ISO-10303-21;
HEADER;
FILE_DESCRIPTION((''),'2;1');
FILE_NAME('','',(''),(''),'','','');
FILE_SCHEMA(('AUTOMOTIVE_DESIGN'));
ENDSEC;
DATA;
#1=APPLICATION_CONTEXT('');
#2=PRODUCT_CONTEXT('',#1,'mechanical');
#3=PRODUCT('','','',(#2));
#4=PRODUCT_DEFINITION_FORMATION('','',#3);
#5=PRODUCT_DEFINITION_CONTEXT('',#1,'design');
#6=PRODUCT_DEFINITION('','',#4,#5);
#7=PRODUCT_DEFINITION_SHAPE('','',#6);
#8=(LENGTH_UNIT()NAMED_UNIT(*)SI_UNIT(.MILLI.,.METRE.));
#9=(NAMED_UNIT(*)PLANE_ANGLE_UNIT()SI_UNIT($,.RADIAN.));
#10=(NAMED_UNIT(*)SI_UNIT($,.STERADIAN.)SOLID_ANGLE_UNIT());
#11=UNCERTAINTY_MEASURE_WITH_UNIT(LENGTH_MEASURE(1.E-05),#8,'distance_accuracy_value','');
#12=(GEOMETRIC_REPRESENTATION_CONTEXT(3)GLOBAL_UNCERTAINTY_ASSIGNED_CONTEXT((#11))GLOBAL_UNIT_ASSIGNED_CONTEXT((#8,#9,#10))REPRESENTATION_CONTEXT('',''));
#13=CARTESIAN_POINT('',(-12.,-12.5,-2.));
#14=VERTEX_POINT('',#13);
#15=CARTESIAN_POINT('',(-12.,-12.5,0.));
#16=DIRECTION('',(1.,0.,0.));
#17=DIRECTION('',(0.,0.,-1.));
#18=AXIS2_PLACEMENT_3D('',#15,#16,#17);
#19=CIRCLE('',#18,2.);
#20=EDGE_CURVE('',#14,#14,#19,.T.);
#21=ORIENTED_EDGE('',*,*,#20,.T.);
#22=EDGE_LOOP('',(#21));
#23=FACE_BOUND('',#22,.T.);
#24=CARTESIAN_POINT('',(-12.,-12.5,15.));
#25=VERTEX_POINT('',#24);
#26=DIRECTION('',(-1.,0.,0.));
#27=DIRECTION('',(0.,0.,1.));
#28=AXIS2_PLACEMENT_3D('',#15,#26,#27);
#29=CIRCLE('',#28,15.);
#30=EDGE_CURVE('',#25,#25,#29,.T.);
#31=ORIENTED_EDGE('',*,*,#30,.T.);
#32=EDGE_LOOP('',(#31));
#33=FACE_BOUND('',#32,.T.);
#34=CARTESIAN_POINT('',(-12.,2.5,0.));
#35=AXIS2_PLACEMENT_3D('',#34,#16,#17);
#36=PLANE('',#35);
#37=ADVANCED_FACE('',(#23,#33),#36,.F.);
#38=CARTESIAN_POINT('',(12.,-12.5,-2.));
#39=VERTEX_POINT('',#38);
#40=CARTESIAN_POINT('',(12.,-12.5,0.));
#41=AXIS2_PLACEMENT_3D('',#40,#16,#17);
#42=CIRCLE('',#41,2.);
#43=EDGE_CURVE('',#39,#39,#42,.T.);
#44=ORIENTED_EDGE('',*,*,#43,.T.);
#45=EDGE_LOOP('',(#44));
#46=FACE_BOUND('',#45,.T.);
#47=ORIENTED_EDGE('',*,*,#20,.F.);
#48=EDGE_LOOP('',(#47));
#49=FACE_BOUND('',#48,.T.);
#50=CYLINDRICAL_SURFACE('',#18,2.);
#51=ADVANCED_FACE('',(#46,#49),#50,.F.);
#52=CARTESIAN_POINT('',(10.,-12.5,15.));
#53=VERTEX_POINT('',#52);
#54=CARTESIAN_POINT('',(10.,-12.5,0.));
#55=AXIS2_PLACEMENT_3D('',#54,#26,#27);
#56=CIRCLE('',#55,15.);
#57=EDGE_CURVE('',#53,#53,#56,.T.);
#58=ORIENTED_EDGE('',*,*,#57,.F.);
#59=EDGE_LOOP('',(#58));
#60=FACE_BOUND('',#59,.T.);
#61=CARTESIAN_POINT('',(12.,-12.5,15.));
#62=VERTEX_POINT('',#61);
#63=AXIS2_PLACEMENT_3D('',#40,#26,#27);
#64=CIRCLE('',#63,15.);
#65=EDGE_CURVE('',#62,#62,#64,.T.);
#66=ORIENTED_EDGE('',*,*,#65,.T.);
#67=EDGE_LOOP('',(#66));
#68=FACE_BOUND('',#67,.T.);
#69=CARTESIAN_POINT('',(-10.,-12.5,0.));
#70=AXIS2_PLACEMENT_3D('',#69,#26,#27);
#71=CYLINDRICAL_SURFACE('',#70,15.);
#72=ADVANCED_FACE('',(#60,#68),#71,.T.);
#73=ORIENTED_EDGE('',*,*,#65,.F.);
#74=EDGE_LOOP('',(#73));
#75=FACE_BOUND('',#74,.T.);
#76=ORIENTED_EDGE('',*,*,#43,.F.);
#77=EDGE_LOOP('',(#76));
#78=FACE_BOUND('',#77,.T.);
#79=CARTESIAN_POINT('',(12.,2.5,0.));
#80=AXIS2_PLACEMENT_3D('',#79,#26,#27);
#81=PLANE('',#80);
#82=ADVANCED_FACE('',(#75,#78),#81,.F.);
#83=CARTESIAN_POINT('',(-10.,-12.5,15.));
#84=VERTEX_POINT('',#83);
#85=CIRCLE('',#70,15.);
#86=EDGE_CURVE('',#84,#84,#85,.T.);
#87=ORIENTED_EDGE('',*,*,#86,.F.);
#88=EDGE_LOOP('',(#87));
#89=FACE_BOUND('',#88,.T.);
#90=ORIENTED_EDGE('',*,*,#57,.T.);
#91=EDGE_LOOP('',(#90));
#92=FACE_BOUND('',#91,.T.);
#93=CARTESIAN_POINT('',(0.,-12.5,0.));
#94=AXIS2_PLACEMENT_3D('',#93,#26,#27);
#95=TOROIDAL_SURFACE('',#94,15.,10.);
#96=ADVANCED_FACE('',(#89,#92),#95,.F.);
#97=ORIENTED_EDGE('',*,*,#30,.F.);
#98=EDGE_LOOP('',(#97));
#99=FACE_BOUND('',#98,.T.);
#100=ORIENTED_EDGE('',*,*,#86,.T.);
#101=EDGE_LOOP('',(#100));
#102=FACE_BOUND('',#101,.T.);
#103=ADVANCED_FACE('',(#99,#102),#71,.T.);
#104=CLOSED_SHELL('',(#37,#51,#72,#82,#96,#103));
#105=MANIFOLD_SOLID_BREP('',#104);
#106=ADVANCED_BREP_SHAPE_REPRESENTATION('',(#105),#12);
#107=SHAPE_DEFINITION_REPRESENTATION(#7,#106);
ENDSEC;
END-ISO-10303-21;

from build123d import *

# Parameters (mm, degrees)
SKETCH2_R          = 2
CUT_EXTRUDE1_DEPTH = 25


with BuildPart() as part:
    # Sketch1 → Revolve1 (revolve)
    with BuildSketch(Plane.XY):
        with BuildLine():
            Line((-10, -12.5), (10, -12.5))
            Line((10, -12.5), (12, -12.5))
            Line((12, -12.5), (12, 2.5))
            Line((12, 2.5), (10, 2.5))
            ThreePointArc((10, 2.5), (0, -7.5), (-10, 2.5))
            Line((-10, 2.5), (-12, 2.5))
            Line((-12, 2.5), (-12, -12.5))
            Line((-12, -12.5), (-10, -12.5))
        make_face()
    revolve(axis=Axis((-10, -12.5, 0), (1, 0, 0)))

    # Sketch2 → Cut-Extrude1 (cut, through all)
    with BuildSketch(Plane(origin=(12, 0, 0), x_dir=(0, 0, -1), z_dir=(1, 0, 0))):
        with Locations((0, -12.5)):
            Circle(SKETCH2_R)
    extrude(amount=-CUT_EXTRUDE1_DEPTH, mode=Mode.SUBTRACT)


solid = part.part
